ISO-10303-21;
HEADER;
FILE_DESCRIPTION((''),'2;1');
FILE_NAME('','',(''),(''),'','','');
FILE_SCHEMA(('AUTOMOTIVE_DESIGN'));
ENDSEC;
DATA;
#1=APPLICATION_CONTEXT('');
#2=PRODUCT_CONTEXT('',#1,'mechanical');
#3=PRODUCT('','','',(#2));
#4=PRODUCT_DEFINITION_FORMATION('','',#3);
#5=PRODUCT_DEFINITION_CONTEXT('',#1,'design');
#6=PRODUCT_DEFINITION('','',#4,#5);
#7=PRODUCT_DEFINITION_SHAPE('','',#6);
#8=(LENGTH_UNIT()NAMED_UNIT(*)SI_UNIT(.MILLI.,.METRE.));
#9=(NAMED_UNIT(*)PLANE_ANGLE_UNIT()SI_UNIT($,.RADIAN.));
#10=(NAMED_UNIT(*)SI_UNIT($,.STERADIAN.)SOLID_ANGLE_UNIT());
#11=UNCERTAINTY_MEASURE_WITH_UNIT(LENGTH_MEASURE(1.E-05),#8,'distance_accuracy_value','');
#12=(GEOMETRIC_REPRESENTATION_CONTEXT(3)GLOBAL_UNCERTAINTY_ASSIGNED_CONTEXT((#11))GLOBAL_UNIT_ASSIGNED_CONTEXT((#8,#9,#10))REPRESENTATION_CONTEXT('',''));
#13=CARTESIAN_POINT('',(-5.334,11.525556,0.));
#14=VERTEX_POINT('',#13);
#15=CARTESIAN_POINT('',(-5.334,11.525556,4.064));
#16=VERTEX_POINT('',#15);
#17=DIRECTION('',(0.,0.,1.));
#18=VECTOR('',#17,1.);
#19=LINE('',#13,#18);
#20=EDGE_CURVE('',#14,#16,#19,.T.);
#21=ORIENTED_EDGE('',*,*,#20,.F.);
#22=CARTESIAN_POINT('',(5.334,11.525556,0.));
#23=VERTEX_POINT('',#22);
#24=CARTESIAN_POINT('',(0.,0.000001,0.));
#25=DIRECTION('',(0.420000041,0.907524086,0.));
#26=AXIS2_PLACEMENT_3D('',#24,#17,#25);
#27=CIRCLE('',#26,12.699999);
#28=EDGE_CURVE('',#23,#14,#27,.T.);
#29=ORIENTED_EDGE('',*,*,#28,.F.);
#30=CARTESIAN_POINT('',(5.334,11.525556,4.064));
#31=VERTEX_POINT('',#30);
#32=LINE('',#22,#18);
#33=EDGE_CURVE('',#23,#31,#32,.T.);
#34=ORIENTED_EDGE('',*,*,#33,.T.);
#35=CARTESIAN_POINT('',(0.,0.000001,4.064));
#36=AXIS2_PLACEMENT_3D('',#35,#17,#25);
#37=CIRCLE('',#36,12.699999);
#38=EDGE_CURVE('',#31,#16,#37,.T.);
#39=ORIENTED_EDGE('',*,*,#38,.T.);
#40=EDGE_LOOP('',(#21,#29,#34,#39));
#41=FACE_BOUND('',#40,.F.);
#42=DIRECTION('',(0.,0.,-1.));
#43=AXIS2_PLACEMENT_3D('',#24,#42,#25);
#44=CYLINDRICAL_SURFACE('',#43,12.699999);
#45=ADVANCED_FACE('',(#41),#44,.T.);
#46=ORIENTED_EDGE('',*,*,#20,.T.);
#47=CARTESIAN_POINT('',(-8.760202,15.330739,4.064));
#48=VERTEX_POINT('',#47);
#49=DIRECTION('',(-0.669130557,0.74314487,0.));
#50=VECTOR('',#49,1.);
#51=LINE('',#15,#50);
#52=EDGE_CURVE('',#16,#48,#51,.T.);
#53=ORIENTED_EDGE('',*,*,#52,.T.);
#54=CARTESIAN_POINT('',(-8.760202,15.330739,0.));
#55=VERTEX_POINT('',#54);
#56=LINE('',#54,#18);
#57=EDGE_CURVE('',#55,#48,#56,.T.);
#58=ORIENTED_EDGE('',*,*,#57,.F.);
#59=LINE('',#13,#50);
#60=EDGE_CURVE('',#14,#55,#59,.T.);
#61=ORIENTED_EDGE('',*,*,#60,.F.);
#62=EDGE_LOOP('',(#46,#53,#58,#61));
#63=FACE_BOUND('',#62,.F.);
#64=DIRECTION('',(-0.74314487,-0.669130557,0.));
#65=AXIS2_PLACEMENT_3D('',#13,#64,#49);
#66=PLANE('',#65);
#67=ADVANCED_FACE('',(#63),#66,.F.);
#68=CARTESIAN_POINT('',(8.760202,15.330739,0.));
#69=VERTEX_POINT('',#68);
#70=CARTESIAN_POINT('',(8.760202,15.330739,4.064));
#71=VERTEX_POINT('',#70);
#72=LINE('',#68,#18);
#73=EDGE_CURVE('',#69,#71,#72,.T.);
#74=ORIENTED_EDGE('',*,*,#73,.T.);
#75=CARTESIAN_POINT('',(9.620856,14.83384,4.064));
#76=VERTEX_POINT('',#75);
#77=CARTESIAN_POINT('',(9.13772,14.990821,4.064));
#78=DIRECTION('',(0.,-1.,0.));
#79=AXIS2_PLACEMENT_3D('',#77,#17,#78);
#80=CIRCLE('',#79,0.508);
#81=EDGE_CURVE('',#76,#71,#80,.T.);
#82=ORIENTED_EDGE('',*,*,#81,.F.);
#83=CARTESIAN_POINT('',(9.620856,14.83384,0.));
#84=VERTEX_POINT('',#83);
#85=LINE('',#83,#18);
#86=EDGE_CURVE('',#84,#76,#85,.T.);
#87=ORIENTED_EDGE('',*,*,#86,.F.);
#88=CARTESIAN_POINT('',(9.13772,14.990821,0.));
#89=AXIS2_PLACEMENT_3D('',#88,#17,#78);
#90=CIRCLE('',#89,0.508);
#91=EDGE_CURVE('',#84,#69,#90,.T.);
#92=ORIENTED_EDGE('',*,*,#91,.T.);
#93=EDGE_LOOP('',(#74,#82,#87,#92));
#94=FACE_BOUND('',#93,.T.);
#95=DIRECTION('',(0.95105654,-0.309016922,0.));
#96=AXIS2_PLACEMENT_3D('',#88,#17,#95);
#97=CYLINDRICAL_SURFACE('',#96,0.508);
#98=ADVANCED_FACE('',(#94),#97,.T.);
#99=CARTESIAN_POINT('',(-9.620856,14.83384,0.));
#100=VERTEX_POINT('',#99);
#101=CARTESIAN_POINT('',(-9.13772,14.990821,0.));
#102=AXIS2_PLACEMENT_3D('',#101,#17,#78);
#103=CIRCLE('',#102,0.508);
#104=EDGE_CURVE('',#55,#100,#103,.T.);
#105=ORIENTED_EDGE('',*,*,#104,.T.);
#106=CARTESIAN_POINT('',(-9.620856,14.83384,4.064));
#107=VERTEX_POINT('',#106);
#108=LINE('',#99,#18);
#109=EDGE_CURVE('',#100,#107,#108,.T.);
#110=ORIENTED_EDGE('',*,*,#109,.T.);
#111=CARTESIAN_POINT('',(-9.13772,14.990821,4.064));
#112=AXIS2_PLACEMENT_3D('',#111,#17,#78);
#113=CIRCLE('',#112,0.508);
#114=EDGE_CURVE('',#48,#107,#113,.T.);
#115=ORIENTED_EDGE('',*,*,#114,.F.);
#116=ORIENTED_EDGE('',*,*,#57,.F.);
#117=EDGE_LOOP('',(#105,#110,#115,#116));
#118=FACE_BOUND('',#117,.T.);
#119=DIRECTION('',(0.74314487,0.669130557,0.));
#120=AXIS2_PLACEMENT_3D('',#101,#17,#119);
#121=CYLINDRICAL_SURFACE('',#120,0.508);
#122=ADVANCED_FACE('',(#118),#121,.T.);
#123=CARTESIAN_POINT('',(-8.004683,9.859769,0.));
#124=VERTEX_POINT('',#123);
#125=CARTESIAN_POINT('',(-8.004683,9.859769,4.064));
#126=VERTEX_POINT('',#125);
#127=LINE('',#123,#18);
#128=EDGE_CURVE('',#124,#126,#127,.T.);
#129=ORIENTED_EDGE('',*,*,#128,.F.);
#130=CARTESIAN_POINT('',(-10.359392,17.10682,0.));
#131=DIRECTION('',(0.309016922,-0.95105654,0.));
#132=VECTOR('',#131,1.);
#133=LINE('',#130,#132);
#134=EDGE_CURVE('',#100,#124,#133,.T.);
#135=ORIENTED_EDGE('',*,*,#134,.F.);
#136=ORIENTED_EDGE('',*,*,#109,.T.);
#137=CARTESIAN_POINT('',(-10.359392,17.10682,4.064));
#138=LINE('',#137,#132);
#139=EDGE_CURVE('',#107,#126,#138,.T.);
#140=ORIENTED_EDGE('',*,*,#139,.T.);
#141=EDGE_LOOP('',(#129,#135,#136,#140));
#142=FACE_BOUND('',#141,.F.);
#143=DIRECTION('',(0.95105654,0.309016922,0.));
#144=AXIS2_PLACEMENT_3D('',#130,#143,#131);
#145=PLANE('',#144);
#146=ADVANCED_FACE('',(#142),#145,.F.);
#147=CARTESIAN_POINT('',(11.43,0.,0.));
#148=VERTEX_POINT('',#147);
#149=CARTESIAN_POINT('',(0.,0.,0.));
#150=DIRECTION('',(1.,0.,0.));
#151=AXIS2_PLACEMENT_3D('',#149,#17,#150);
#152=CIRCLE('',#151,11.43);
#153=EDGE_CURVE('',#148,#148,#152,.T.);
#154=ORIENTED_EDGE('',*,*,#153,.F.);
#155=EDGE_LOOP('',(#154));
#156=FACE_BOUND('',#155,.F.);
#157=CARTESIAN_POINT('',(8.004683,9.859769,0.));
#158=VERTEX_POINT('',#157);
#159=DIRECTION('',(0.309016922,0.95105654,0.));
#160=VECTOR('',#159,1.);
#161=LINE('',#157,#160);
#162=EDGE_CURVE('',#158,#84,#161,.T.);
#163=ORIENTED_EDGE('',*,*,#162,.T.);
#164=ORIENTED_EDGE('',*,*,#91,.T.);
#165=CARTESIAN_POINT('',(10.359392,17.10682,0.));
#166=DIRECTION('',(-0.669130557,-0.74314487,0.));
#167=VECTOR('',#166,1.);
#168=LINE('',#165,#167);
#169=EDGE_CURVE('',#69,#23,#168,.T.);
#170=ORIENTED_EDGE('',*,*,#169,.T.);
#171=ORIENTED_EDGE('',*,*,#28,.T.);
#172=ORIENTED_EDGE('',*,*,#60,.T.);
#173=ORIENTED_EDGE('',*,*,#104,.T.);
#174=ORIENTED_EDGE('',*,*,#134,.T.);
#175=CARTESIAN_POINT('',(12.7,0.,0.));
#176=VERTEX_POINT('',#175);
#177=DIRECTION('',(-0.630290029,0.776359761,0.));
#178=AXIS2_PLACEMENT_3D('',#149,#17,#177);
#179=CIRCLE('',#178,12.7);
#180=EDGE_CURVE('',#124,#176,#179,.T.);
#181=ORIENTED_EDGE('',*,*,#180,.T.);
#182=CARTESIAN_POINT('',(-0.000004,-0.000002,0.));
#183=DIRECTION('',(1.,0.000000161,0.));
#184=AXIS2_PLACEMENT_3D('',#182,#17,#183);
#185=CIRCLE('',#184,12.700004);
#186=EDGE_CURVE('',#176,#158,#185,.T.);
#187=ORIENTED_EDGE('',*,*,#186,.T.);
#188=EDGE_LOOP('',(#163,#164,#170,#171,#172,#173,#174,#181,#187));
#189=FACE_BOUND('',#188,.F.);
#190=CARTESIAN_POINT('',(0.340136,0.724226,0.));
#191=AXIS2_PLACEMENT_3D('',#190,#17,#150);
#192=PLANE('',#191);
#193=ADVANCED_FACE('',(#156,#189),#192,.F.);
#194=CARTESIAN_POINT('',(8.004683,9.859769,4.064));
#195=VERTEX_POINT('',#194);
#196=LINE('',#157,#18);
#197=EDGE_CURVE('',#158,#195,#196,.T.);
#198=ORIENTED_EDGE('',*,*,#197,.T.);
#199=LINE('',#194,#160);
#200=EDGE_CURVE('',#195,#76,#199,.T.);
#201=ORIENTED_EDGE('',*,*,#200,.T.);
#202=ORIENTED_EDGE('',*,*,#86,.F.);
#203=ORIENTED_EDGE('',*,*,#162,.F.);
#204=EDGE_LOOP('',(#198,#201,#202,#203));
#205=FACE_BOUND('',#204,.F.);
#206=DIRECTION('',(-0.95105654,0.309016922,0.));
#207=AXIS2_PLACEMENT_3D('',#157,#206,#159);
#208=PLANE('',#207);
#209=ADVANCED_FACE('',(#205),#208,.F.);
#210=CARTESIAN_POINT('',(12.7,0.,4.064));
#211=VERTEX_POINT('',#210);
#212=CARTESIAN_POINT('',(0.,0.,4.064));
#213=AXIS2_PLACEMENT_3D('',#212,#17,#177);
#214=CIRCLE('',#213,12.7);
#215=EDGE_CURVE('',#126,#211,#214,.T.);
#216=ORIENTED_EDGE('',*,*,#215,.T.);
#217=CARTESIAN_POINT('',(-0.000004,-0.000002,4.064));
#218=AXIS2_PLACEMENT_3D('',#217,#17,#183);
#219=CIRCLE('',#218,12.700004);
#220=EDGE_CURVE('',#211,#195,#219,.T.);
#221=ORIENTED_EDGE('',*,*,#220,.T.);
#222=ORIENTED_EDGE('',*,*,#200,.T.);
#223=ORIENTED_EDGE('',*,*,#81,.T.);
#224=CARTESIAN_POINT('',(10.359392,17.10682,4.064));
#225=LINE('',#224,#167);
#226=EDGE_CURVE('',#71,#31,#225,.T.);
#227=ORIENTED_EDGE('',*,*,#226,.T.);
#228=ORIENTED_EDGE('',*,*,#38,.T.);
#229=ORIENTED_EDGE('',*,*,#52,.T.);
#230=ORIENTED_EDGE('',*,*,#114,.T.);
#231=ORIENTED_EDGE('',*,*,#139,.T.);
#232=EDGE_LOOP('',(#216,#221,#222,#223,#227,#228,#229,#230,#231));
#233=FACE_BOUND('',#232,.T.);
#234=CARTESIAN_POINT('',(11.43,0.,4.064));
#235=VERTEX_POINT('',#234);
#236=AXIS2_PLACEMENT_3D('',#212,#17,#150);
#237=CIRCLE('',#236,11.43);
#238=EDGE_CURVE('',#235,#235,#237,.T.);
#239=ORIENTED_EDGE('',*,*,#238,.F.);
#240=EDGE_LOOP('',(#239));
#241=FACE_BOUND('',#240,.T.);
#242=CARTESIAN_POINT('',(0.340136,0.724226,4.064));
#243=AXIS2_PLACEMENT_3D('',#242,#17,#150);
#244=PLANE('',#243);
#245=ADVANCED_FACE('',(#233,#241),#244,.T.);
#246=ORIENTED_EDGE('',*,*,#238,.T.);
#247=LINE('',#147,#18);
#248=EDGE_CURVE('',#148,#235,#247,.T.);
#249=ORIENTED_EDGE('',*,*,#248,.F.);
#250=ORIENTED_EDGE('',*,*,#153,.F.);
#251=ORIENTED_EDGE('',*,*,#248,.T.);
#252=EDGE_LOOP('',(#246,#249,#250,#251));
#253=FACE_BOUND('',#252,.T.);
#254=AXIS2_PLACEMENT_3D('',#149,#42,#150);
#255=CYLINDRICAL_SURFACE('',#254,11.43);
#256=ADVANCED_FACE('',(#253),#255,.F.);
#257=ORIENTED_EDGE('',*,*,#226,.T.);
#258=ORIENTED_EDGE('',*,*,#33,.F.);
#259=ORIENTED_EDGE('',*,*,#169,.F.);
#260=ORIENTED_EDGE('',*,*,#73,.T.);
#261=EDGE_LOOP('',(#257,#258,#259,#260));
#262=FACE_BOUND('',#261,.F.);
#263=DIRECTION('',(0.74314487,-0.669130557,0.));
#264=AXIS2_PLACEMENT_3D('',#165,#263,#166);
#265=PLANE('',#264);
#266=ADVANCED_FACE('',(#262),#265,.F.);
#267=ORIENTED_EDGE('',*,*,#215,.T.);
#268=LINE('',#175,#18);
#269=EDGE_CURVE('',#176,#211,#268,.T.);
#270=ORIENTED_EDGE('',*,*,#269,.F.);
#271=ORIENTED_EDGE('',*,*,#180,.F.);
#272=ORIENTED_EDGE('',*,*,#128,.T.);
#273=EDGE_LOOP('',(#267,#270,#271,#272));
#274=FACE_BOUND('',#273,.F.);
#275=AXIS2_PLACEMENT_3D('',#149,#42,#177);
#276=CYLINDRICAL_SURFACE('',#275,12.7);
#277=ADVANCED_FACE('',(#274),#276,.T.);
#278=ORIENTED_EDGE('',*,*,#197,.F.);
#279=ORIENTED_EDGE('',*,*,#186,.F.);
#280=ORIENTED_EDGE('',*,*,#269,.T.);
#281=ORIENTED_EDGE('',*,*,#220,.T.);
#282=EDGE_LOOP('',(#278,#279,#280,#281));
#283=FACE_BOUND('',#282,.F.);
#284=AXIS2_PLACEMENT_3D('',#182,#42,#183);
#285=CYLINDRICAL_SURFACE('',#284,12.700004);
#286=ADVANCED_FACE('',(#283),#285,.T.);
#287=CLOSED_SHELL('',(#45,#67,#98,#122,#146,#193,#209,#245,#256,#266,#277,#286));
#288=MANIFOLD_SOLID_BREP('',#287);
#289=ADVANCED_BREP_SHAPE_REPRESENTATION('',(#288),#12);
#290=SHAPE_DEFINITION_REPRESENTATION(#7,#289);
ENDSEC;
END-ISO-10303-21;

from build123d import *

# Parameters (mm, degrees)
F0_R     = 11.43
F1_DEPTH = 4.064
F2_R     = 0.508


with BuildPart() as f1:
    # F0 (on Top) → F1 (new body)
    with BuildSketch(Plane.XY):
        with BuildLine():
            ThreePointArc((-8.004683, 9.859769), (-5.460335, -11.466243), (12.7, 0))
            ThreePointArc((12.7, 0), (11.466243, 5.460335), (8.004683, 9.859769))
            ThreePointArc((8.004683, 9.859769), (6.721148, 10.775721), (5.334, 11.525556))
            ThreePointArc((5.334, 11.525556), (0, 12.7), (-5.334, 11.525556))
            ThreePointArc((-5.334, 11.525556), (-6.721148, 10.775721), (-8.004683, 9.859769))
        make_face()
        Circle(F0_R, mode=Mode.SUBTRACT)
        with BuildLine():
            ThreePointArc((5.334, 11.525556), (6.721148, 10.775721), (8.004683, 9.859769))
            Line((8.004683, 9.859769), (10.359392, 17.10682))
            Line((10.359392, 17.10682), (5.334, 11.525556))
        make_face()
        with BuildLine():
            Line((-10.359392, 17.10682), (-8.004683, 9.859769))
            ThreePointArc((-8.004683, 9.859769), (-6.721148, 10.775721), (-5.334, 11.525556))
            Line((-5.334, 11.525556), (-10.359392, 17.10682))
        make_face()
    extrude(amount=F1_DEPTH)

    # F2
    f2_edges = [f1.edges().sort_by_distance(p)[0] for p in [
        (10.359392, 17.10682, 2.032),
        (-10.359392, 17.10682, 2.032),
    ]]
    fillet(f2_edges, radius=F2_R)


solid = f1.part
